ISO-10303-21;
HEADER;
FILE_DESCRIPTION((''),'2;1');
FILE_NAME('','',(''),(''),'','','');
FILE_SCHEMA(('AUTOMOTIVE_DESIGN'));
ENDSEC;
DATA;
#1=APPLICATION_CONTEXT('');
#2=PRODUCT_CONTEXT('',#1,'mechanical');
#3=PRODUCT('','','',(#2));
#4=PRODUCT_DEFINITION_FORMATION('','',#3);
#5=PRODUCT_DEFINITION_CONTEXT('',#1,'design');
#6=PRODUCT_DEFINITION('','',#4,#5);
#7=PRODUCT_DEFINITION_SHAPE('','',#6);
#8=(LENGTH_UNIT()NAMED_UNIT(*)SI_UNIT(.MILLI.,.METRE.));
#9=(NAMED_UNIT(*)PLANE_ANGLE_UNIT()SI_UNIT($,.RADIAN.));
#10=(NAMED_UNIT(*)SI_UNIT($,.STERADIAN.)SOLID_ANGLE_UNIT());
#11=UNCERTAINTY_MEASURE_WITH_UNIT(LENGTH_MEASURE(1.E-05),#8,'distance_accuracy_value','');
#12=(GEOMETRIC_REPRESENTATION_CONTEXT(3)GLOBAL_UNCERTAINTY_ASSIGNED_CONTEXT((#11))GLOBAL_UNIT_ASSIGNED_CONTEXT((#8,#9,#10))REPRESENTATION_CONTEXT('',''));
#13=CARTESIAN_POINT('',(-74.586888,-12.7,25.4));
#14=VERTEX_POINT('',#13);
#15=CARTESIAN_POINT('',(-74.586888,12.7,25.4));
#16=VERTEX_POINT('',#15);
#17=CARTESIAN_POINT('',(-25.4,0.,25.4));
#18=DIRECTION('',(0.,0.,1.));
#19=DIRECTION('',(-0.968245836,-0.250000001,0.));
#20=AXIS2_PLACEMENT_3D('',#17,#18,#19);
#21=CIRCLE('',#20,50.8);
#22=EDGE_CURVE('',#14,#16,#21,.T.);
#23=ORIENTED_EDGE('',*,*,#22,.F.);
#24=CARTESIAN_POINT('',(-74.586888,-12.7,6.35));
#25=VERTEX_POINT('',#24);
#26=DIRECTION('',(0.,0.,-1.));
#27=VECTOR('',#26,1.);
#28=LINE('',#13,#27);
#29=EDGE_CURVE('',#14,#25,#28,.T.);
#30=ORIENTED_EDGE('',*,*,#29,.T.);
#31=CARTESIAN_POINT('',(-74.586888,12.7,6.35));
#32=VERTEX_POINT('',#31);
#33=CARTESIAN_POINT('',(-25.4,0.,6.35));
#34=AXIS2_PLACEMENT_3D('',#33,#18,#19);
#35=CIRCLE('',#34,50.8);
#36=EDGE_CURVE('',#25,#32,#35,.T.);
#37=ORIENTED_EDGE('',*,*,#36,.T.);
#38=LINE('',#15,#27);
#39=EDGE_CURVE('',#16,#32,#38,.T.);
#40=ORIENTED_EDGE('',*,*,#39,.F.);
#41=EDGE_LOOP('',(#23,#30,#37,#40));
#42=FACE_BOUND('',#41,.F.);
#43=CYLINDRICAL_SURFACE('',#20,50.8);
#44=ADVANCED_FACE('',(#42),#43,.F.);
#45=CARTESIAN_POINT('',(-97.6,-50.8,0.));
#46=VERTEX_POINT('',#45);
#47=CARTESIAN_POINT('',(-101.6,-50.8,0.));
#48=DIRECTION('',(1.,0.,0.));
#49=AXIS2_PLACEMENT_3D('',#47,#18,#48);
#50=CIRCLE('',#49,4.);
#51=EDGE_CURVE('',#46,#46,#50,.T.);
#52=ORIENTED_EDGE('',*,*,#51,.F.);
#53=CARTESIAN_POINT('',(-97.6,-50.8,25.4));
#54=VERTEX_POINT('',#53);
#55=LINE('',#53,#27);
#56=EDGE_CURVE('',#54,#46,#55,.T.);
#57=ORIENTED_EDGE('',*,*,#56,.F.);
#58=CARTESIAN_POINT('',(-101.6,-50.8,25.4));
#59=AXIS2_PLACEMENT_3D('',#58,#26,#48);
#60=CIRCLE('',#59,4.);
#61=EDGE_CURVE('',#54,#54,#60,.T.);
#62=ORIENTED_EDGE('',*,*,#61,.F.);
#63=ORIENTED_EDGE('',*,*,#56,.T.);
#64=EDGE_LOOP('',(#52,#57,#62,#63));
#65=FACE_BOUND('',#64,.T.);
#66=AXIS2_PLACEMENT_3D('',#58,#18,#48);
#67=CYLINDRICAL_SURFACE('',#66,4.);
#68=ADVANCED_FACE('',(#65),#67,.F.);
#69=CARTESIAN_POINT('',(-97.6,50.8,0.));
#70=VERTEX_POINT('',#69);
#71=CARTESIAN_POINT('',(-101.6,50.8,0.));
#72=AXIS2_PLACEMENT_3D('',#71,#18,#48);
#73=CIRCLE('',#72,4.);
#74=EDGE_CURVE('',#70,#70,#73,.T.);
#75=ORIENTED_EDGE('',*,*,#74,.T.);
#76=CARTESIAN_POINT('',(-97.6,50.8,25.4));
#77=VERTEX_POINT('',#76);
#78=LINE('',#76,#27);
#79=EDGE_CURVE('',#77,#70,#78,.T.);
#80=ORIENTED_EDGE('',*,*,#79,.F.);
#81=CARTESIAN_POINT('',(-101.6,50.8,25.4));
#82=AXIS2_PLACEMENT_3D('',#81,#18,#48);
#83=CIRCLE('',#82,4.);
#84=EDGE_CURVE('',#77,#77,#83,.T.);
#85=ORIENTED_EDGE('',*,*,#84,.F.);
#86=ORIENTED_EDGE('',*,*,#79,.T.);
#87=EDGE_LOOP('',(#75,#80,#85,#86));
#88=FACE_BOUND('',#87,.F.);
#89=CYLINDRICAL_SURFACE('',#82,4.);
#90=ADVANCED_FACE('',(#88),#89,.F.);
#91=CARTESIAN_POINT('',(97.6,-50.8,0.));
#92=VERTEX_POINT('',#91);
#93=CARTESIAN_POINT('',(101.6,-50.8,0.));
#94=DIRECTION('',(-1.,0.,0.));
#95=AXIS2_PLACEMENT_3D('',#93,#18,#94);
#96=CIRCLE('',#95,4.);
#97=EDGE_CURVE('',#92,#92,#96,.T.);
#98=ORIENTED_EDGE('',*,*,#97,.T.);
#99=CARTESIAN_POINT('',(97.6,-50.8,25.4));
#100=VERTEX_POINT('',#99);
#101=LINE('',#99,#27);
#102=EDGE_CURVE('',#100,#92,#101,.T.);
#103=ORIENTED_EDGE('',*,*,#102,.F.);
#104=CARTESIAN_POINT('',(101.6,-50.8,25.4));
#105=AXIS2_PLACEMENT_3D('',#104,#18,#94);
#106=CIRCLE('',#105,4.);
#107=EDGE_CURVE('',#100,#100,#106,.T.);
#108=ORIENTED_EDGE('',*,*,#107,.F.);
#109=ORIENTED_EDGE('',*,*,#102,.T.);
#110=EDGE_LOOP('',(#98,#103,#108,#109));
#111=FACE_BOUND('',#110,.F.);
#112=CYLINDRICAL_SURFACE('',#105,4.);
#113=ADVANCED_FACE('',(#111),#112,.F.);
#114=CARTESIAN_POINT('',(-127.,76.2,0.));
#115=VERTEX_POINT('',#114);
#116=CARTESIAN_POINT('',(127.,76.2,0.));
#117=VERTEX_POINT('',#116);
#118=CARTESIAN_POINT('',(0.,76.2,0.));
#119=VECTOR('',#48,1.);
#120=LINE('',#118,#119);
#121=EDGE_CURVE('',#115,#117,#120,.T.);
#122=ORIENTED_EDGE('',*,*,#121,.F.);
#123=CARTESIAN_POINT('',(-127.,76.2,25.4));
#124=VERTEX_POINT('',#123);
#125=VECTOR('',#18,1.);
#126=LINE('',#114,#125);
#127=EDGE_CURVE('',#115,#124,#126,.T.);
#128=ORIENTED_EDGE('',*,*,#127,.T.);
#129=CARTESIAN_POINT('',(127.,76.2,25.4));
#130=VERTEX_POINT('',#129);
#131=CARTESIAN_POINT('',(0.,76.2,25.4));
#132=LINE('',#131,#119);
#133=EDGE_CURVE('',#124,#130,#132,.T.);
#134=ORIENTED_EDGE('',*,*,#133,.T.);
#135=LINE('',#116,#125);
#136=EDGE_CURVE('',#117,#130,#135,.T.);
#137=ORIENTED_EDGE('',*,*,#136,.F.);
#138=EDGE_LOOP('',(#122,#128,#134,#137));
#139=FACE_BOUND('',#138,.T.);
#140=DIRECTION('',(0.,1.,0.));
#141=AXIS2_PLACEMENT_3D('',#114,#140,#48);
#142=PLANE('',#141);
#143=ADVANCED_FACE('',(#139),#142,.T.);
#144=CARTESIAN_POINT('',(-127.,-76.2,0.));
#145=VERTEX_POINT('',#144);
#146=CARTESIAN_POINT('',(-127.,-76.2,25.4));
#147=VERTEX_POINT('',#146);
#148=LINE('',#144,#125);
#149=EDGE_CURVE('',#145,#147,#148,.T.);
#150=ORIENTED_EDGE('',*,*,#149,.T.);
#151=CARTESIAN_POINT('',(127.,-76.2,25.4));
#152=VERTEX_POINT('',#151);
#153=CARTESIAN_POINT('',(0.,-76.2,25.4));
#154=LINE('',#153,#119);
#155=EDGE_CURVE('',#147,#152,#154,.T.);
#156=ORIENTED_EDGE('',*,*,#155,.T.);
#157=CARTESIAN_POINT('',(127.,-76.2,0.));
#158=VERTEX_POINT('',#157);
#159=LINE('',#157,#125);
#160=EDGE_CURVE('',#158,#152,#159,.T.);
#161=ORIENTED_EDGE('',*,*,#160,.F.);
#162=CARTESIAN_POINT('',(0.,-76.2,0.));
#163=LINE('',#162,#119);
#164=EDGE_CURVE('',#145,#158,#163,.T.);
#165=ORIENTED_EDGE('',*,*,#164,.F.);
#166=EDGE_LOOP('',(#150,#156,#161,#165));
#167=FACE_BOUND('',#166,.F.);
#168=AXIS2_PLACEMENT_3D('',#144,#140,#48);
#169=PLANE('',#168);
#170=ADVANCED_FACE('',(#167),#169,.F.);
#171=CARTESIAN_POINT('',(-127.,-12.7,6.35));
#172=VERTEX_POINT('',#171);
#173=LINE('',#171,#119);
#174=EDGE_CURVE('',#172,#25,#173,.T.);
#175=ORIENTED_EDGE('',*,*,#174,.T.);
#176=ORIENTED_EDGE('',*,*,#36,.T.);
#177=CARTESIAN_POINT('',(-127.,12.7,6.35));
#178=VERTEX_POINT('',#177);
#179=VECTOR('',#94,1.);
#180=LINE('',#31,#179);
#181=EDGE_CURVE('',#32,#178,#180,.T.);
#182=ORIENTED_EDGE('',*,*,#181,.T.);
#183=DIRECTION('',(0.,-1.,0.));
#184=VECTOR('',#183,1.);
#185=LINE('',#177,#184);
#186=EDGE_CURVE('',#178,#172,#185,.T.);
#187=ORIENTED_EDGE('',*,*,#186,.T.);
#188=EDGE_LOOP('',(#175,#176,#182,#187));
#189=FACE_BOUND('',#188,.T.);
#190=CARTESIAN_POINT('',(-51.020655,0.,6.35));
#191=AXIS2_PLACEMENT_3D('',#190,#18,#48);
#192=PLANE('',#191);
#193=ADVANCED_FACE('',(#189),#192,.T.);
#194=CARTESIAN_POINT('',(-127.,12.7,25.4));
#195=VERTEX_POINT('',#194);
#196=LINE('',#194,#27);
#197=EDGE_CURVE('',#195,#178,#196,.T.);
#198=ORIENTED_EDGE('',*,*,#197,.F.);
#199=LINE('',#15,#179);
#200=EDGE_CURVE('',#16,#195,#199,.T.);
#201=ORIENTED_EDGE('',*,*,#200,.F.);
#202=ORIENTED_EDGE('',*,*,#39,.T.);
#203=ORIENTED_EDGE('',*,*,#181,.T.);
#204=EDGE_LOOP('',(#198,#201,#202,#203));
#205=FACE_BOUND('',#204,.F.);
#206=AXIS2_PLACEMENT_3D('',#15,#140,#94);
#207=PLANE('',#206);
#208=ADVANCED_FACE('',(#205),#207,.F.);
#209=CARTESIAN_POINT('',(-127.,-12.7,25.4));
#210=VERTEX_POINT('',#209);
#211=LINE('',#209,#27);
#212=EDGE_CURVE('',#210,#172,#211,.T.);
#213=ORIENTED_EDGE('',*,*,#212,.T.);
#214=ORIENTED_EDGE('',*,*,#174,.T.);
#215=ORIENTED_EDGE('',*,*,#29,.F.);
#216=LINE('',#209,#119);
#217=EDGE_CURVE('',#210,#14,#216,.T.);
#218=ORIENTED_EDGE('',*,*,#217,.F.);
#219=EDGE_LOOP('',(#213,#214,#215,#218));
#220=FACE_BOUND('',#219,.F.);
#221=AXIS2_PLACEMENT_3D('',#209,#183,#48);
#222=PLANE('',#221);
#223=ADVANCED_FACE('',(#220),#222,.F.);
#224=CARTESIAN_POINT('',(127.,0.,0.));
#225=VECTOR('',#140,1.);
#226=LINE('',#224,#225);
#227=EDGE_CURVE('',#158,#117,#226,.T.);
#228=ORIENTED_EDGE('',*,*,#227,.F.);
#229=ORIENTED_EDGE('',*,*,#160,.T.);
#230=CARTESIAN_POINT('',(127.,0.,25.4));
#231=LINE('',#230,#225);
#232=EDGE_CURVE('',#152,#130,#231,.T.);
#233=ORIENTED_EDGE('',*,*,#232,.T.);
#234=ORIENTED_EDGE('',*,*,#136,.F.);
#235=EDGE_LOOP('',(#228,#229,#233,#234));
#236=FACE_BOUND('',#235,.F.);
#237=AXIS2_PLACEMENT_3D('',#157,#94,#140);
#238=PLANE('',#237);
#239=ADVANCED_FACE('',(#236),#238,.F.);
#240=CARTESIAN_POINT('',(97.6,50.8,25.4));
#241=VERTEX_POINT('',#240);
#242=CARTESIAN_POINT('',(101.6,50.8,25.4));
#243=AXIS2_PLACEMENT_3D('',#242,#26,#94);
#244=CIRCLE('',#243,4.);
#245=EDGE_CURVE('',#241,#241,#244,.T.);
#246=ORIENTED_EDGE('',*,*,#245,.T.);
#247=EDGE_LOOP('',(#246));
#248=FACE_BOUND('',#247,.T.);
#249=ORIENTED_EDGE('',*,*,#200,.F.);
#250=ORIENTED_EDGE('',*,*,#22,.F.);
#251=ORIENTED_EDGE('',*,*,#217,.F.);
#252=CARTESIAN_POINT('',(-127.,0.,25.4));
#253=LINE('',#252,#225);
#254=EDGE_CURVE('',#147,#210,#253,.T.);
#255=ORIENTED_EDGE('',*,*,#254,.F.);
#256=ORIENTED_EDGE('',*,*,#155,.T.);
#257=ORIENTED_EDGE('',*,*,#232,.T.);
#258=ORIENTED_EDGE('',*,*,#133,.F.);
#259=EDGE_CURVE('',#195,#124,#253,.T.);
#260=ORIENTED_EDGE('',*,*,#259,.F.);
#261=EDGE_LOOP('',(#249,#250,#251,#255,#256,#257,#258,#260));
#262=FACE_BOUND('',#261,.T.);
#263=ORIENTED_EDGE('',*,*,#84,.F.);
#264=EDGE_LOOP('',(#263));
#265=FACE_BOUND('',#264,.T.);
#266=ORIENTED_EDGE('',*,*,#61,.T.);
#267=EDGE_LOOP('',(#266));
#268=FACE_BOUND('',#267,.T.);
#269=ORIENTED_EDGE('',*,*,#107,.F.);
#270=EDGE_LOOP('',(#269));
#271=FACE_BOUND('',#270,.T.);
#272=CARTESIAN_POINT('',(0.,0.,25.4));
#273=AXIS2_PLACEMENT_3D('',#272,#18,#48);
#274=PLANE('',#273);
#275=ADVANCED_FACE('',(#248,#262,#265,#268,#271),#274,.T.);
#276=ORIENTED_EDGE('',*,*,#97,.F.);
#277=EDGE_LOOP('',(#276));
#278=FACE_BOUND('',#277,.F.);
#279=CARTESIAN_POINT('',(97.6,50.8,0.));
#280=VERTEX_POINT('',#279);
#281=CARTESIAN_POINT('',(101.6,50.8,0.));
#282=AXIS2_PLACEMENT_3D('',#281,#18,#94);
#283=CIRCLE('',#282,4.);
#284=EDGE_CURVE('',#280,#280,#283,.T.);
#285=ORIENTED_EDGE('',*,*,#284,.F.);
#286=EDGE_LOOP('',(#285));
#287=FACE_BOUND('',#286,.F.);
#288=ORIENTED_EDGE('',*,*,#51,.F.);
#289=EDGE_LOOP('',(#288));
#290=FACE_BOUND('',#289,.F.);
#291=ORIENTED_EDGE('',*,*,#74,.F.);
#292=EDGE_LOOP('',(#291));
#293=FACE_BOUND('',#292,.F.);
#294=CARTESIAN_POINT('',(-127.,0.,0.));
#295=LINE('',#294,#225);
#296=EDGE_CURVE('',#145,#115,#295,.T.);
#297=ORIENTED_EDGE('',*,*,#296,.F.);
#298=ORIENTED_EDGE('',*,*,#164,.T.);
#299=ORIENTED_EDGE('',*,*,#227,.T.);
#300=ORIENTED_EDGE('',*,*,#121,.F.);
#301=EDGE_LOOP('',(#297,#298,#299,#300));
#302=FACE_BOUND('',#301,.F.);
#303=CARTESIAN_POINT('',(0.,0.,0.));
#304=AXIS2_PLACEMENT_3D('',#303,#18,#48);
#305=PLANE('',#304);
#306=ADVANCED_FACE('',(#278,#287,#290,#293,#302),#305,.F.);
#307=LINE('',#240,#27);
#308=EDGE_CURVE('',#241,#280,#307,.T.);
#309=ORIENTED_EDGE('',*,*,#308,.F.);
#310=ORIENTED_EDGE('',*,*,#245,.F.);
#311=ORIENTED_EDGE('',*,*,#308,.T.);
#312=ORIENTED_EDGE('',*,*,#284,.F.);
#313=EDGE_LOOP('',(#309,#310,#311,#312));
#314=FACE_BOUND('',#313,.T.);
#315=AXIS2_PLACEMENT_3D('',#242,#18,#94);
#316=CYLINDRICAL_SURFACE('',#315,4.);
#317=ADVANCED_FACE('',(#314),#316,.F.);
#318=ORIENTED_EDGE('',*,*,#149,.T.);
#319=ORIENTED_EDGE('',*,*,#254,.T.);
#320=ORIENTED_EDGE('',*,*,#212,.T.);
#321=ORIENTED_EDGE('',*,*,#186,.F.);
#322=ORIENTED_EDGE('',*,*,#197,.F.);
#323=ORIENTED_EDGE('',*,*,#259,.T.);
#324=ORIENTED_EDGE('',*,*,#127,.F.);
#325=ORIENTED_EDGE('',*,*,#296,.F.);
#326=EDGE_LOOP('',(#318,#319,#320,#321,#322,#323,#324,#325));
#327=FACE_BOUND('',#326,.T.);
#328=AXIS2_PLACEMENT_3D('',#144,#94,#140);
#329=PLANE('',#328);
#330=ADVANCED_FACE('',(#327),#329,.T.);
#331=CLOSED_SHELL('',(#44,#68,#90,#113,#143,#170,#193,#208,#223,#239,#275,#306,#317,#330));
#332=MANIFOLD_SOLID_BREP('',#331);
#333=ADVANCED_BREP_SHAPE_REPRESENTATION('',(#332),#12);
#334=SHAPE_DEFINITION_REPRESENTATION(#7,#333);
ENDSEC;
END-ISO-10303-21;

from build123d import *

# Parameters (mm, degrees)
SKETCH_W                = 254
SKETCH_H                = 152.4
PAD_DEPTH               = 25.4
SKETCH001_R             = 4
POCKET_DEPTH            = 619.999755
SKETCH001_MIRRORED_2_R  = 4
POCKET_MIRRORED_2_DEPTH = 619.999755
POCKET001_DEPTH         = 19.05


with BuildPart() as part:
    # Sketch → Pad (new body)
    with BuildSketch(Plane.XY):
        Rectangle(SKETCH_W, SKETCH_H)
    extrude(amount=PAD_DEPTH)

    # Sketch001 (on Face6 of Pad) → Pocket (cut, through all)
    with BuildSketch(Plane.XY.offset(25.4)):
        with Locations((-101.6, 50.8)):
            Circle(SKETCH001_R)
    pocket = extrude(amount=-POCKET_DEPTH, mode=Mode.SUBTRACT)

    # Sketch001 Mirrored 2 → Pocket Mirrored 2 (cut, through all)
    with BuildSketch(Plane(origin=(0, 0, 25.4), x_dir=(-1, 0, 0), z_dir=(0, 0, -1))):
        with Locations((-101.6, 50.8)):
            Circle(SKETCH001_MIRRORED_2_R)
    pocket_mirrored_2 = extrude(amount=POCKET_MIRRORED_2_DEPTH, mode=Mode.SUBTRACT)

    # Mirrored001: Pocket, Pocket Mirrored 2 across XZ
    add(pocket.mirror(Plane.XZ), mode=Mode.SUBTRACT)
    add(pocket_mirrored_2.mirror(Plane.XZ), mode=Mode.SUBTRACT)

    # Sketch002 (on Face5 of MultiTransform) → Pocket001 (cut)
    with BuildSketch(Plane.XY.offset(25.4)):
        with BuildLine():
            Line((-127, -12.7), (-74.586888, -12.7))
            ThreePointArc((-74.586888, -12.7), (25.4, 0), (-74.586888, 12.7))
            Line((-74.586888, 12.7), (-127, 12.7))
            Line((-127, 12.7), (-127, -12.7))
        make_face()
    extrude(amount=-POCKET001_DEPTH, mode=Mode.SUBTRACT)


solid = part.part
